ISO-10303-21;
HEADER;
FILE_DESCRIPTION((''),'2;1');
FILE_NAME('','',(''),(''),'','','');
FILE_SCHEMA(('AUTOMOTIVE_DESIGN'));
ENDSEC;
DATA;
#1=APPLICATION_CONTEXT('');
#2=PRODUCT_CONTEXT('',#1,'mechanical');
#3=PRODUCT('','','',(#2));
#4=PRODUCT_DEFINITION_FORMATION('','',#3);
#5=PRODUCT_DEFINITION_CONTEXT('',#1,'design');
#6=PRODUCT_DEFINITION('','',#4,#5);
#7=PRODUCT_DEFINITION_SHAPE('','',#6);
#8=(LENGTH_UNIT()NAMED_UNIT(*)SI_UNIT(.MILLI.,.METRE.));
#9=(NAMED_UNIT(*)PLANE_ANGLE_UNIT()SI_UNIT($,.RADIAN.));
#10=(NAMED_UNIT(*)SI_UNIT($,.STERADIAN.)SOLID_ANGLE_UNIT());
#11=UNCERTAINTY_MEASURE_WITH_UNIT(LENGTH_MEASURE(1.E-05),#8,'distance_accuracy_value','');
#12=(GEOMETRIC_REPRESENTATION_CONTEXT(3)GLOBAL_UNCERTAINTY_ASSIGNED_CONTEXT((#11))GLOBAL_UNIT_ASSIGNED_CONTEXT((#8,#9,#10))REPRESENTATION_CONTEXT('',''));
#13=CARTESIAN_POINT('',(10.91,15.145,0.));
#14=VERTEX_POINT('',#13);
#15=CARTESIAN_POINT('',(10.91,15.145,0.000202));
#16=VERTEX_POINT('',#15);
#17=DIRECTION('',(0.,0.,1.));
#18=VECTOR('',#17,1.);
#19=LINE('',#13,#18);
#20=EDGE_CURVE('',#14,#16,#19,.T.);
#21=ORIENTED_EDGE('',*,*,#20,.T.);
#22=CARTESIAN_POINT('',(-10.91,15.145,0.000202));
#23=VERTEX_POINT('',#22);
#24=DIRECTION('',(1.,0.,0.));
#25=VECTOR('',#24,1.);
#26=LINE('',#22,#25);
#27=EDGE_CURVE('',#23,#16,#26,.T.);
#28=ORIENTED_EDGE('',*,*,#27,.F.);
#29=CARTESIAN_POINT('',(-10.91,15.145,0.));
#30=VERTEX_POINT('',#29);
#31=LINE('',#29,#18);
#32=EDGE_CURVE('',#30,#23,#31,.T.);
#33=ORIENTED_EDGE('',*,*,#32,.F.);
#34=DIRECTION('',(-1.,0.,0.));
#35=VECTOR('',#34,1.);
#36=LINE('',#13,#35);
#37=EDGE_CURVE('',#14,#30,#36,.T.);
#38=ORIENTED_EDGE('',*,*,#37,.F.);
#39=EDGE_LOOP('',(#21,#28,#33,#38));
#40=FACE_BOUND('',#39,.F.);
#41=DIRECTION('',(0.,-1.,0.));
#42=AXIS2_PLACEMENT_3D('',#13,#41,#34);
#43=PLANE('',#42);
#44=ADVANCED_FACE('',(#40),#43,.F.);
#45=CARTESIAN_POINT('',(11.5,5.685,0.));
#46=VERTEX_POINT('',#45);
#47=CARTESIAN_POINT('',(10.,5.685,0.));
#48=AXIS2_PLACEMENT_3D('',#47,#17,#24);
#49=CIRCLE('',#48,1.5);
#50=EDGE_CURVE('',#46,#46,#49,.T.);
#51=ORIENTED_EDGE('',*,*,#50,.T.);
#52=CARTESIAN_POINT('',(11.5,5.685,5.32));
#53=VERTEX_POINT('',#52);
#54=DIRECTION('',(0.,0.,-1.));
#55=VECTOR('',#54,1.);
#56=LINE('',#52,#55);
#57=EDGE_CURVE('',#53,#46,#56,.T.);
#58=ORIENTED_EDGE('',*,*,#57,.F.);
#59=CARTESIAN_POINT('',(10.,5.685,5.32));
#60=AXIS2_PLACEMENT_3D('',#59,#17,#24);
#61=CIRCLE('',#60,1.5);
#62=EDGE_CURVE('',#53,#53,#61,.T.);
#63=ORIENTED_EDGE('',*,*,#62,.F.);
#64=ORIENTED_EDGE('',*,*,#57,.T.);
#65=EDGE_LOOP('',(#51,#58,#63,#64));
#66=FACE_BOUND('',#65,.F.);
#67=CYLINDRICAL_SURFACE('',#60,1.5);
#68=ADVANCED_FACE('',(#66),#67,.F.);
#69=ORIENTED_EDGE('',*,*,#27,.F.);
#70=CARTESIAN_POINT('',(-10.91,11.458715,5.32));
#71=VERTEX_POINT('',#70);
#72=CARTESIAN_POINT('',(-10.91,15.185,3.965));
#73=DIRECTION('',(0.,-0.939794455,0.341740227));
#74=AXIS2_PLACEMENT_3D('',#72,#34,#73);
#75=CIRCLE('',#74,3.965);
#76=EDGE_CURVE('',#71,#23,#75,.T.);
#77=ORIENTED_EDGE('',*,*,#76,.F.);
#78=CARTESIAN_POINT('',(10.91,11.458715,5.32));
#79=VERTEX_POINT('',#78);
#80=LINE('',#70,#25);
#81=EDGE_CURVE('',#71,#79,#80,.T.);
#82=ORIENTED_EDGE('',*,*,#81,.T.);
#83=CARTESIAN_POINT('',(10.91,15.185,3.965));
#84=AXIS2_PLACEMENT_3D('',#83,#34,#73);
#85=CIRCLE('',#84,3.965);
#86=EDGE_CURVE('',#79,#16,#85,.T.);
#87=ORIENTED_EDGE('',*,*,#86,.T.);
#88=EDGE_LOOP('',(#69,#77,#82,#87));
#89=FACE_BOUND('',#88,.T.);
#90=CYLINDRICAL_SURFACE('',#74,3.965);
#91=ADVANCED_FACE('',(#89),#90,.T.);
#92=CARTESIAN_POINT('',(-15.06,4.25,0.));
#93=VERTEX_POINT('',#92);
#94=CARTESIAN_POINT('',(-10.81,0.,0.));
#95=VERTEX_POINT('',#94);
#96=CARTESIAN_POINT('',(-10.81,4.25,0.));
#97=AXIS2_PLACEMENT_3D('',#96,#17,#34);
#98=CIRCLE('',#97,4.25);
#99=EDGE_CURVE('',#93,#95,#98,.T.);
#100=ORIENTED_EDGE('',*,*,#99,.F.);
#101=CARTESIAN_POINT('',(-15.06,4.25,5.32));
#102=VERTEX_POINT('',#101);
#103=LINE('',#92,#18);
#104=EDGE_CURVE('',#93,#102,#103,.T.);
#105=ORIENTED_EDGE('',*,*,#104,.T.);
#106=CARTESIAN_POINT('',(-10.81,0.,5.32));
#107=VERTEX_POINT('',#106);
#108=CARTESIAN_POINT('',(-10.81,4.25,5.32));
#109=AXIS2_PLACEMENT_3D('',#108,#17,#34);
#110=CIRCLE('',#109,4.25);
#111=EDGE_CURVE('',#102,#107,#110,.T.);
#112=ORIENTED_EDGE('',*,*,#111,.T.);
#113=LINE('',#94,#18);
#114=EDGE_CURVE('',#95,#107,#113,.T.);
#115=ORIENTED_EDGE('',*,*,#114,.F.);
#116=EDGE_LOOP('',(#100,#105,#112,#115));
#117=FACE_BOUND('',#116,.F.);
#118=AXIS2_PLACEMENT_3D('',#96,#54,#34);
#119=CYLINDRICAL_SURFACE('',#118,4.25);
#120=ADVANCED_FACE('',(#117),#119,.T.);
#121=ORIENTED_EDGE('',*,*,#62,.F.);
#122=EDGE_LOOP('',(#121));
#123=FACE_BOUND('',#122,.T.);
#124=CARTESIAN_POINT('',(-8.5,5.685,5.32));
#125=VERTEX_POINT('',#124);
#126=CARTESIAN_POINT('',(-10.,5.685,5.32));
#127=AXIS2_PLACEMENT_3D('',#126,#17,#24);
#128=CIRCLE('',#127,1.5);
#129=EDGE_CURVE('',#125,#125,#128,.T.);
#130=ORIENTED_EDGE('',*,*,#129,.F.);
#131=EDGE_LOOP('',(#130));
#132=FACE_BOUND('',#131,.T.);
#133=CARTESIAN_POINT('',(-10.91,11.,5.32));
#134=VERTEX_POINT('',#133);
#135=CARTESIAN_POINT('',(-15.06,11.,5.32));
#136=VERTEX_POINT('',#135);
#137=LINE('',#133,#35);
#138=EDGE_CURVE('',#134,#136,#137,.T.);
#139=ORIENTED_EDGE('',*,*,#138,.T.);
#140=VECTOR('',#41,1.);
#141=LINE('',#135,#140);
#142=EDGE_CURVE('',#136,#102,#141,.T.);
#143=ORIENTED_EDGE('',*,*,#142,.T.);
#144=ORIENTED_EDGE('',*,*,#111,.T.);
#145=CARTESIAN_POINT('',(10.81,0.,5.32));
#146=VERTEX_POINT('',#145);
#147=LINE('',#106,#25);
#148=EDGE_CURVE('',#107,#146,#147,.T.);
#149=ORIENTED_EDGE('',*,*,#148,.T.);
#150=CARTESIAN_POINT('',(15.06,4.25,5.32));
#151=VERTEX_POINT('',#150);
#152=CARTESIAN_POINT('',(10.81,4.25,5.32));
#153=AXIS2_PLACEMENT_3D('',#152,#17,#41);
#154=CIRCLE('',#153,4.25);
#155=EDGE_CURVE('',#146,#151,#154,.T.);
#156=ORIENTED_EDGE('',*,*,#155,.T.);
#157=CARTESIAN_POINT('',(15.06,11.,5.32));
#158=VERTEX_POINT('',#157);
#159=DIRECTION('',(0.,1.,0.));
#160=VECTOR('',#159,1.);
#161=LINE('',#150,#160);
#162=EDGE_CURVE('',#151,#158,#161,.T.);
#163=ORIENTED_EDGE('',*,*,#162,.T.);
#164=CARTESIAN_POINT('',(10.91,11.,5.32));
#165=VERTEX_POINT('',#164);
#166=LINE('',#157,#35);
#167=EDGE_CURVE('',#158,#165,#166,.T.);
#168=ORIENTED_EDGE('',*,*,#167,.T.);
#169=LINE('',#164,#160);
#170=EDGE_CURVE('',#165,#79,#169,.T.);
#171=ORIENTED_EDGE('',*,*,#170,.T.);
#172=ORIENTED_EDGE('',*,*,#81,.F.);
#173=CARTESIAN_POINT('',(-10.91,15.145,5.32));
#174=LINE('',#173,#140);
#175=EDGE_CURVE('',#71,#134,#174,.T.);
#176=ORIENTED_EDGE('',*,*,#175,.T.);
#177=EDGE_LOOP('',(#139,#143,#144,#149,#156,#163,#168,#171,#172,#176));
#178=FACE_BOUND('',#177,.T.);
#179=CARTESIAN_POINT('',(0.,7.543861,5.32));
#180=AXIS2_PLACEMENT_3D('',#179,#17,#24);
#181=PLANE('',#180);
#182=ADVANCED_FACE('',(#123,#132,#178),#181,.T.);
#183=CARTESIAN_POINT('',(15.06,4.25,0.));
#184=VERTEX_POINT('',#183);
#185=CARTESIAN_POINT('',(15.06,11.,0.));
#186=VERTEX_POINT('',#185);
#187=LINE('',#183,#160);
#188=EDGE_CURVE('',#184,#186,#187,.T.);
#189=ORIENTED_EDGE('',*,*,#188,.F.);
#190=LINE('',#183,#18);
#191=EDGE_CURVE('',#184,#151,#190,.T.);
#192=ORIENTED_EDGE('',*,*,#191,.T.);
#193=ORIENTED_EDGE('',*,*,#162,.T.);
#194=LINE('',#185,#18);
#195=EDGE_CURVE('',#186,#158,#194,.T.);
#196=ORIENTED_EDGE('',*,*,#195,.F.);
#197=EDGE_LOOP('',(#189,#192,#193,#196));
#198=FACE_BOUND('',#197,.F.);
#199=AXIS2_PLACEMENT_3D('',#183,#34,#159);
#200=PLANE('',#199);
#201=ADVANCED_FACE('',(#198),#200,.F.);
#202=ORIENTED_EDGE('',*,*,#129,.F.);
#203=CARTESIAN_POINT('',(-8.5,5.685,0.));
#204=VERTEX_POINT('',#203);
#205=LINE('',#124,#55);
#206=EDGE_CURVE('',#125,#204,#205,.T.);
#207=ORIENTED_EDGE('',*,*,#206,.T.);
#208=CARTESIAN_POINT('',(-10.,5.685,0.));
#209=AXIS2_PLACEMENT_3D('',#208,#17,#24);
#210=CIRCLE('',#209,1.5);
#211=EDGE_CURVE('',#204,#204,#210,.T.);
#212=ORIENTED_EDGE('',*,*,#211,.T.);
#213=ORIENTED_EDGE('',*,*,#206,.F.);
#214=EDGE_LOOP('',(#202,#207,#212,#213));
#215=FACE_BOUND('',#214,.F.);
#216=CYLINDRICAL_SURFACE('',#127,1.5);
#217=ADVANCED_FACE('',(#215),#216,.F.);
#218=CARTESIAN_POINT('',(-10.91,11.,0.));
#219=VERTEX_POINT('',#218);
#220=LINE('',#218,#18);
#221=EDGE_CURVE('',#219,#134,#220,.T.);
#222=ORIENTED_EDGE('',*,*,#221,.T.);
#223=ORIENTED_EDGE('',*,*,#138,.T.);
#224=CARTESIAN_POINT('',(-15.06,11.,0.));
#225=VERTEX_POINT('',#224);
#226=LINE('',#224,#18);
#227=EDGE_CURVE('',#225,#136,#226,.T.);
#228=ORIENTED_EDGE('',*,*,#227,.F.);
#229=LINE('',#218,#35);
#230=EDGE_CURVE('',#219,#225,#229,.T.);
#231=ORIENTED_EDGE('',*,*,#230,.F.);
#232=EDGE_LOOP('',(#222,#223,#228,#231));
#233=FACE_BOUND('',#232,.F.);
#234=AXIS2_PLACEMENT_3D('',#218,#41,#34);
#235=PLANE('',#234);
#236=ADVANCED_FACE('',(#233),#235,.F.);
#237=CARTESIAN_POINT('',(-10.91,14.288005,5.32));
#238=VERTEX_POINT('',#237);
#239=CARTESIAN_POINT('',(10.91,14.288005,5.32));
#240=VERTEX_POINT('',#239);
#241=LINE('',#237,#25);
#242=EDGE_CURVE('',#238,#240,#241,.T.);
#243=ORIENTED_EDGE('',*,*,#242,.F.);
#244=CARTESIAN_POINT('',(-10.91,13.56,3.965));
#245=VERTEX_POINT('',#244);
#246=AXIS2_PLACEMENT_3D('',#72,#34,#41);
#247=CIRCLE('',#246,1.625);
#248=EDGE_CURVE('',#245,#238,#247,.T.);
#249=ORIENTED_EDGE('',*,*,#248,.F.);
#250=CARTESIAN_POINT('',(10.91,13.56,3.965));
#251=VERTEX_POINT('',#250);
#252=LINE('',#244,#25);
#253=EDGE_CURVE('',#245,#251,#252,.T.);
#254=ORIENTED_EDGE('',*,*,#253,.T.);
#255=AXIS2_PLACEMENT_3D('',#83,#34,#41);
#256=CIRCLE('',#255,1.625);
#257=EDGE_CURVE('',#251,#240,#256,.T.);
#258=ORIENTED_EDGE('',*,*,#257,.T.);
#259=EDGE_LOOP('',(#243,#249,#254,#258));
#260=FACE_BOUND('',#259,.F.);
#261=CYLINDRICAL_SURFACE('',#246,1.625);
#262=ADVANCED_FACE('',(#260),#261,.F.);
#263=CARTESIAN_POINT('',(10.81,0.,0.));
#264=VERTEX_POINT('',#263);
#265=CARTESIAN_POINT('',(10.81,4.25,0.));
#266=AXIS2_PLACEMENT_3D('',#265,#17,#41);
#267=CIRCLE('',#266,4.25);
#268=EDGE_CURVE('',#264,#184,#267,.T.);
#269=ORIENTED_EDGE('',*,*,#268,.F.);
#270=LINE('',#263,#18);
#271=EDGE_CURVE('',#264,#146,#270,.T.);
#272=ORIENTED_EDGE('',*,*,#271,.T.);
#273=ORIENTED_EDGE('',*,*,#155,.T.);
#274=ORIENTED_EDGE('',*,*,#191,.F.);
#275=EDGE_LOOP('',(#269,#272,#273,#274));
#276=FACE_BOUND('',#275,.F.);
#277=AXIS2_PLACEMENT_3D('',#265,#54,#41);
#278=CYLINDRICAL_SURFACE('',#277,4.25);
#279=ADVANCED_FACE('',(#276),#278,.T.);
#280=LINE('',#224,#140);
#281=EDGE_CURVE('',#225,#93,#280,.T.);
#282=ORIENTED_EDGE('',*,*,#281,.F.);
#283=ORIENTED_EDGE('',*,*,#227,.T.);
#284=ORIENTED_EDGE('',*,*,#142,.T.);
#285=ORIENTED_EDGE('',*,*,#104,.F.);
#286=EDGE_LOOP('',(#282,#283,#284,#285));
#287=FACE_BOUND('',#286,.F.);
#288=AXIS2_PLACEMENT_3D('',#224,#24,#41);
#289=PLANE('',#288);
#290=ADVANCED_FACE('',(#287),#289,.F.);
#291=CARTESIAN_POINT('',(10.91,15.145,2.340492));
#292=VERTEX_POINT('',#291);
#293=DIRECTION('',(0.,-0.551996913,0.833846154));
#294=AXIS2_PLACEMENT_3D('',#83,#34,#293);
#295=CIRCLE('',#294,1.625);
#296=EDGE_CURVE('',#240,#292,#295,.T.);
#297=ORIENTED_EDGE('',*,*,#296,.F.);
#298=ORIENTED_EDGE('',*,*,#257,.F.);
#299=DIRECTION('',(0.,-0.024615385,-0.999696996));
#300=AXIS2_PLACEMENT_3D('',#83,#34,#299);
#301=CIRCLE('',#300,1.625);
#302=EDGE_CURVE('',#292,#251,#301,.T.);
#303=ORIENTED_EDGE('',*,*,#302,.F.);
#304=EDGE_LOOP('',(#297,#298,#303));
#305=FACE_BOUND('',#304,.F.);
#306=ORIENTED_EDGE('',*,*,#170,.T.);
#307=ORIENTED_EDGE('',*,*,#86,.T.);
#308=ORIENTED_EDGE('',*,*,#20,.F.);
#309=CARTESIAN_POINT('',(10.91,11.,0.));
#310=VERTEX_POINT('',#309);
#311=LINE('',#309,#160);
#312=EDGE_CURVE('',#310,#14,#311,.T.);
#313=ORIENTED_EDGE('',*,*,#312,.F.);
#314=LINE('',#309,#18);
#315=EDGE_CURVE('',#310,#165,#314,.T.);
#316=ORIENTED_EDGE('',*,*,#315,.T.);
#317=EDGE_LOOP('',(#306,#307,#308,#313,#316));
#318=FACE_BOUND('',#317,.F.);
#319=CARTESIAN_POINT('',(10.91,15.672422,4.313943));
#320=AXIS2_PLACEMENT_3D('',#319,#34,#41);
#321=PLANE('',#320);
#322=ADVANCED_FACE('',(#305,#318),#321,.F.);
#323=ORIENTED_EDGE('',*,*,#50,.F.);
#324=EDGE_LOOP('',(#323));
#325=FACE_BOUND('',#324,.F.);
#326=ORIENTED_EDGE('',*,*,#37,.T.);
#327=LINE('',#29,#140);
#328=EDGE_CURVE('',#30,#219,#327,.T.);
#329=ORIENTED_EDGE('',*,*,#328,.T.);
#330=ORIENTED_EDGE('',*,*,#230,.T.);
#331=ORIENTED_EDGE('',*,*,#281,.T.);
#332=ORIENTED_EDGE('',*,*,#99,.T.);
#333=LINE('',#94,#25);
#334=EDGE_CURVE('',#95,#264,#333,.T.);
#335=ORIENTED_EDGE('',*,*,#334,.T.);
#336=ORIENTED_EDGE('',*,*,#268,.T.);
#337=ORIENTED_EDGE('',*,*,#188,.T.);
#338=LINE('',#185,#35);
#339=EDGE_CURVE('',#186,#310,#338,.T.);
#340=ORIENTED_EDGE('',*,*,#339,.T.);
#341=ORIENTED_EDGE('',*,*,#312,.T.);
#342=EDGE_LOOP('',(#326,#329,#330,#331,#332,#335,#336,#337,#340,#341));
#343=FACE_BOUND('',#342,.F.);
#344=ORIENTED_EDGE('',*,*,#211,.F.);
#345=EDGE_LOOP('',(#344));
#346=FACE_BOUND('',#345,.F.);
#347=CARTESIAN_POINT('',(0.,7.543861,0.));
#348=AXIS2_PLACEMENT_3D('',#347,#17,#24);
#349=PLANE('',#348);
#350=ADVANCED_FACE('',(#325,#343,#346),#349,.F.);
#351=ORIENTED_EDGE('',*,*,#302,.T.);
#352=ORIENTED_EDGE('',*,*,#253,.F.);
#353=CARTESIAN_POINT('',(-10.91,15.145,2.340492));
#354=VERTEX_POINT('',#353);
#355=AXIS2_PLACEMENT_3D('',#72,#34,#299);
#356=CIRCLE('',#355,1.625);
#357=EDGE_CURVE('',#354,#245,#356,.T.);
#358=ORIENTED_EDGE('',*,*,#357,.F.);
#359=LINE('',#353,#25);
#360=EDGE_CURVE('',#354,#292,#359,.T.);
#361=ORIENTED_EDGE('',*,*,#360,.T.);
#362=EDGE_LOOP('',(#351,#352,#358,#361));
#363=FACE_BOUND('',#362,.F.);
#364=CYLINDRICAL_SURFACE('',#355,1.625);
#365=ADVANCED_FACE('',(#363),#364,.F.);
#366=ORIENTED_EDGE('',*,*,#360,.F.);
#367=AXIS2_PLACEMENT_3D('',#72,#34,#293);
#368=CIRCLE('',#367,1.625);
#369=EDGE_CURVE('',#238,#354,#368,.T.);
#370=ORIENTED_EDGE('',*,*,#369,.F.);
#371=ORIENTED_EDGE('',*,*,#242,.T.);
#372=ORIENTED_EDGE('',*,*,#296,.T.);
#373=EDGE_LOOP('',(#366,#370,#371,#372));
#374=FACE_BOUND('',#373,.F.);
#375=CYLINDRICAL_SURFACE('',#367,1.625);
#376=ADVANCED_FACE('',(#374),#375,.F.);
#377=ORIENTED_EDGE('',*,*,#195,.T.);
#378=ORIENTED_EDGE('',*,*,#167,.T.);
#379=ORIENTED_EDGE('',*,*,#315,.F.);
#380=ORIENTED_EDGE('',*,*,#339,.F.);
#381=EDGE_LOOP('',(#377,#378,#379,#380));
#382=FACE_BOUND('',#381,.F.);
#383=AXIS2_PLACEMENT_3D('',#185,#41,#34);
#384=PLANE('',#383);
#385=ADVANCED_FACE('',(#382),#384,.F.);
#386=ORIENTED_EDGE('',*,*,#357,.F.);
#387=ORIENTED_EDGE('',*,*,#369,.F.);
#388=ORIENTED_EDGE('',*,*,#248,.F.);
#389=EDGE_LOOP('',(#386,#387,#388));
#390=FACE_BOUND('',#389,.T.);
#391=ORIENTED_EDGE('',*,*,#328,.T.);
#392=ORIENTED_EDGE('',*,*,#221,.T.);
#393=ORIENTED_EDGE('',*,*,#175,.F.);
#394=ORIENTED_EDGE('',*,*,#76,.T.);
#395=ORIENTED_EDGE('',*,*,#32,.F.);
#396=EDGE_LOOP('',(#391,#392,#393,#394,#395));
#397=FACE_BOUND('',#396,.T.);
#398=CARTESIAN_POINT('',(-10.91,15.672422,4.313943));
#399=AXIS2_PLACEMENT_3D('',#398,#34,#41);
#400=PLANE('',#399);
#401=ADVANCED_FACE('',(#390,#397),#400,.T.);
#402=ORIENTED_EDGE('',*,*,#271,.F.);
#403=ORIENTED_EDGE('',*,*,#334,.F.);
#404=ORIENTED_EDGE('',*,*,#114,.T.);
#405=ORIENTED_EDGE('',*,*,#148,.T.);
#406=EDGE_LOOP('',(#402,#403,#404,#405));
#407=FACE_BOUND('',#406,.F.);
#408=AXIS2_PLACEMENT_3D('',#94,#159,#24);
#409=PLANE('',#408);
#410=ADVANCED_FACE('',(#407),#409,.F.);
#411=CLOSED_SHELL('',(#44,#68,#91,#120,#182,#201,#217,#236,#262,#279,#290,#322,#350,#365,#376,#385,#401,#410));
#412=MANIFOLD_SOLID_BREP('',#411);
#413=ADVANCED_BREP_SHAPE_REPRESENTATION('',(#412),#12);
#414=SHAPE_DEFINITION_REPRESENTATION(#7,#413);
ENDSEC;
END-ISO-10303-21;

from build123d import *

# Parameters (mm, degrees)
F1_DEPTH = 5.32
F3_DEPTH = 21.82
F4_DEPTH = 25.971
F5_R     = 1.5
F6_DEPTH = 5.321


with BuildPart() as f1:
    # F0 (on Top) → F1 (new body)
    with BuildSketch(Plane.XY):
        with BuildLine():
            Line((-10.81, 0), (0, 0))
            Line((0, 0), (10.81, 0))
            ThreePointArc((10.81, 0), (13.81520382, 1.24479618), (15.06, 4.25))
            Line((15.06, 4.25), (15.06, 11))
            Line((15.06, 11), (10.91, 11))
            Line((10.91, 11), (10.91, 15.145))
            Line((10.91, 15.145), (-10.91, 15.145))
            Line((-10.91, 15.145), (-10.91, 11))
            Line((-10.91, 11), (-15.06, 11))
            Line((-15.06, 11), (-15.06, 4.25))
            ThreePointArc((-15.06, 4.25), (-13.81520382, 1.24479618), (-10.81, 0))
        make_face()
    extrude(amount=F1_DEPTH)

    # F2 (on face) → F3 (join, through all)
    with BuildSketch(Plane(origin=(-10.91, 0, 0), x_dir=(0, -1, 0), z_dir=(-1, 0, 0))):
        with BuildLine():
            Line((-14.2880050167, 5.32), (-11.4587149867, 5.32))
            ThreePointArc((-11.4587149867, 5.32), (-18.4440319116, 6.2233037881), (-15.145, 0.0002017706))
            Line((-15.145, 0.0002017706), (-15.145, 2.3404923823))
            ThreePointArc((-15.145, 2.3404923823), (-16.7466838062, 4.4141866976), (-14.2880050167, 5.32))
        make_face()
        with BuildLine():
            Line((-15.145, 5.32), (-14.2880050167, 5.32))
            ThreePointArc((-14.2880050167, 5.32), (-16.7466838062, 4.4141866976), (-15.145, 2.3404923823))
            Line((-15.145, 2.3404923823), (-15.145, 5.32))
        make_face()
    extrude(amount=-F3_DEPTH)

    # F2 (on face) → F4 (cut, through all)
    with BuildSketch(Plane(origin=(-10.91, 0, 0), x_dir=(0, -1, 0), z_dir=(-1, 0, 0))):
        with BuildLine():
            Line((-15.145, 5.32), (-14.2880050167, 5.32))
            ThreePointArc((-14.2880050167, 5.32), (-16.7466838062, 4.4141866976), (-15.145, 2.3404923823))
            Line((-15.145, 2.3404923823), (-15.145, 5.32))
        make_face()
        with BuildLine():
            ThreePointArc((-13.56, 3.965), (-13.7535249133, 4.7340930217), (-14.2880050167, 5.32))
            Line((-14.2880050167, 5.32), (-15.145, 5.32))
            Line((-15.145, 5.32), (-15.145, 2.3404923823))
            ThreePointArc((-15.145, 2.3404923823), (-14.0218953186, 2.8301817326), (-13.56, 3.965))
        make_face()
    extrude(amount=-F4_DEPTH, mode=Mode.SUBTRACT)

    # F5 (on face) → F6 (cut, through all)
    with BuildSketch(Plane.XY.offset(5.32)):
        with Locations((-10, 5.685)):
            Circle(F5_R)
        with Locations((10, 5.685)):
            Circle(F5_R)
    extrude(amount=-F6_DEPTH, mode=Mode.SUBTRACT)


solid = f1.part
